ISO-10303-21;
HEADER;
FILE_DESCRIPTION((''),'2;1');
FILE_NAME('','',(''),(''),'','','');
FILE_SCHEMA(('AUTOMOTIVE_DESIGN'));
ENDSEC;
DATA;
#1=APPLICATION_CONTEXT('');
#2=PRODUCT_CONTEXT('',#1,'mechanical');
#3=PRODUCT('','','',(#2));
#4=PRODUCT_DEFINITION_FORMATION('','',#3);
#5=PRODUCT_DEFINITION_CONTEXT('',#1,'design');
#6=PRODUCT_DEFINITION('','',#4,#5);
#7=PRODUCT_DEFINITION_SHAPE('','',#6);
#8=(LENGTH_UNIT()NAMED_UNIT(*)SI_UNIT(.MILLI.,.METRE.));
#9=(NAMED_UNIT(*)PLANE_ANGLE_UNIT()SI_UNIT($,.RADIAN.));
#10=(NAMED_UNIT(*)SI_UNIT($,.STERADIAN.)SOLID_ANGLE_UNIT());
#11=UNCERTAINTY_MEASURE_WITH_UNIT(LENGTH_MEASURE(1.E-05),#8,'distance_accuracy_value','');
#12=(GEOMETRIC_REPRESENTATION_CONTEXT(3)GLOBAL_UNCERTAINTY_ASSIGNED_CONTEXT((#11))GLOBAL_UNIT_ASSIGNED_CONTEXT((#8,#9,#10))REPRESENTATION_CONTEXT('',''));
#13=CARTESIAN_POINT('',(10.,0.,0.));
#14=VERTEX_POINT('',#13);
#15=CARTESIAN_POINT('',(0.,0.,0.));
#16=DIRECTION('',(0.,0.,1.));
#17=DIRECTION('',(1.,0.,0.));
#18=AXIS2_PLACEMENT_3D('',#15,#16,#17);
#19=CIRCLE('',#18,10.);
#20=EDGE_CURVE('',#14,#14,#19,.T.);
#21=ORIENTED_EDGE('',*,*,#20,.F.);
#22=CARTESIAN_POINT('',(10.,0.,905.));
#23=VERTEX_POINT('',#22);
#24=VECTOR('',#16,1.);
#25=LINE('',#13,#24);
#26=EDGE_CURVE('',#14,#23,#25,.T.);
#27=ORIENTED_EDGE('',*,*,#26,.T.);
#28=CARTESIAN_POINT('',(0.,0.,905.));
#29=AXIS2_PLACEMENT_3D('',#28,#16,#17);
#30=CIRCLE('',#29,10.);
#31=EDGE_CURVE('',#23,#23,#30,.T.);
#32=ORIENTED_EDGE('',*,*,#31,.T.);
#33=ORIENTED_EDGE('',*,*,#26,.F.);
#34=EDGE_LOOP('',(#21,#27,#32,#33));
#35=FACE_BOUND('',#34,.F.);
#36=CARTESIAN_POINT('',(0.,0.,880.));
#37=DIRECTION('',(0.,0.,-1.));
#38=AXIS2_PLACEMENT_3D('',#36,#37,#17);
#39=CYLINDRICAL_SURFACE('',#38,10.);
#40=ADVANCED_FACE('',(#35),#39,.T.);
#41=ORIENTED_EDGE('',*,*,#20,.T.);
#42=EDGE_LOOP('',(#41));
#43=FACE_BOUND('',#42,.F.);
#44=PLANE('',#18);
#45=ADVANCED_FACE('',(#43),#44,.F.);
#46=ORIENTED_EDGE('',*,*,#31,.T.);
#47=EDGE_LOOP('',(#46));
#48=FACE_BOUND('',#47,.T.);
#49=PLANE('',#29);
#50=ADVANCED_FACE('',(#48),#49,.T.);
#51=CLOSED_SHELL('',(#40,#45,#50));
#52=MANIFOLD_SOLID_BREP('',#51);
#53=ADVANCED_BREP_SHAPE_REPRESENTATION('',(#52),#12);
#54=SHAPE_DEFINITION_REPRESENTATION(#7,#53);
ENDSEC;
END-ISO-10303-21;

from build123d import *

# Parameters (mm, degrees)
F0_R      = 10
F1_DEPTH  = 880
F2_R      = 1.700977
F2_R_2    = 10
F1_FACE_R = 10
F3_DEPTH  = 25


with BuildPart() as f1:
    # F0 (on Top) → F1 (new body)
    with BuildSketch(Plane.XY):
        Circle(F0_R)
    extrude(amount=F1_DEPTH)

    # F2 (on face) + F1_face (on face) → F3 (join)
    with BuildSketch(Plane.XY.offset(880)):
        Circle(F2_R)
        Circle(F2_R_2)
        Circle(F2_R, mode=Mode.SUBTRACT)
    with BuildSketch(Plane.XY.offset(880)):
        Circle(F1_FACE_R)
    extrude(amount=F3_DEPTH)


solid = f1.part
